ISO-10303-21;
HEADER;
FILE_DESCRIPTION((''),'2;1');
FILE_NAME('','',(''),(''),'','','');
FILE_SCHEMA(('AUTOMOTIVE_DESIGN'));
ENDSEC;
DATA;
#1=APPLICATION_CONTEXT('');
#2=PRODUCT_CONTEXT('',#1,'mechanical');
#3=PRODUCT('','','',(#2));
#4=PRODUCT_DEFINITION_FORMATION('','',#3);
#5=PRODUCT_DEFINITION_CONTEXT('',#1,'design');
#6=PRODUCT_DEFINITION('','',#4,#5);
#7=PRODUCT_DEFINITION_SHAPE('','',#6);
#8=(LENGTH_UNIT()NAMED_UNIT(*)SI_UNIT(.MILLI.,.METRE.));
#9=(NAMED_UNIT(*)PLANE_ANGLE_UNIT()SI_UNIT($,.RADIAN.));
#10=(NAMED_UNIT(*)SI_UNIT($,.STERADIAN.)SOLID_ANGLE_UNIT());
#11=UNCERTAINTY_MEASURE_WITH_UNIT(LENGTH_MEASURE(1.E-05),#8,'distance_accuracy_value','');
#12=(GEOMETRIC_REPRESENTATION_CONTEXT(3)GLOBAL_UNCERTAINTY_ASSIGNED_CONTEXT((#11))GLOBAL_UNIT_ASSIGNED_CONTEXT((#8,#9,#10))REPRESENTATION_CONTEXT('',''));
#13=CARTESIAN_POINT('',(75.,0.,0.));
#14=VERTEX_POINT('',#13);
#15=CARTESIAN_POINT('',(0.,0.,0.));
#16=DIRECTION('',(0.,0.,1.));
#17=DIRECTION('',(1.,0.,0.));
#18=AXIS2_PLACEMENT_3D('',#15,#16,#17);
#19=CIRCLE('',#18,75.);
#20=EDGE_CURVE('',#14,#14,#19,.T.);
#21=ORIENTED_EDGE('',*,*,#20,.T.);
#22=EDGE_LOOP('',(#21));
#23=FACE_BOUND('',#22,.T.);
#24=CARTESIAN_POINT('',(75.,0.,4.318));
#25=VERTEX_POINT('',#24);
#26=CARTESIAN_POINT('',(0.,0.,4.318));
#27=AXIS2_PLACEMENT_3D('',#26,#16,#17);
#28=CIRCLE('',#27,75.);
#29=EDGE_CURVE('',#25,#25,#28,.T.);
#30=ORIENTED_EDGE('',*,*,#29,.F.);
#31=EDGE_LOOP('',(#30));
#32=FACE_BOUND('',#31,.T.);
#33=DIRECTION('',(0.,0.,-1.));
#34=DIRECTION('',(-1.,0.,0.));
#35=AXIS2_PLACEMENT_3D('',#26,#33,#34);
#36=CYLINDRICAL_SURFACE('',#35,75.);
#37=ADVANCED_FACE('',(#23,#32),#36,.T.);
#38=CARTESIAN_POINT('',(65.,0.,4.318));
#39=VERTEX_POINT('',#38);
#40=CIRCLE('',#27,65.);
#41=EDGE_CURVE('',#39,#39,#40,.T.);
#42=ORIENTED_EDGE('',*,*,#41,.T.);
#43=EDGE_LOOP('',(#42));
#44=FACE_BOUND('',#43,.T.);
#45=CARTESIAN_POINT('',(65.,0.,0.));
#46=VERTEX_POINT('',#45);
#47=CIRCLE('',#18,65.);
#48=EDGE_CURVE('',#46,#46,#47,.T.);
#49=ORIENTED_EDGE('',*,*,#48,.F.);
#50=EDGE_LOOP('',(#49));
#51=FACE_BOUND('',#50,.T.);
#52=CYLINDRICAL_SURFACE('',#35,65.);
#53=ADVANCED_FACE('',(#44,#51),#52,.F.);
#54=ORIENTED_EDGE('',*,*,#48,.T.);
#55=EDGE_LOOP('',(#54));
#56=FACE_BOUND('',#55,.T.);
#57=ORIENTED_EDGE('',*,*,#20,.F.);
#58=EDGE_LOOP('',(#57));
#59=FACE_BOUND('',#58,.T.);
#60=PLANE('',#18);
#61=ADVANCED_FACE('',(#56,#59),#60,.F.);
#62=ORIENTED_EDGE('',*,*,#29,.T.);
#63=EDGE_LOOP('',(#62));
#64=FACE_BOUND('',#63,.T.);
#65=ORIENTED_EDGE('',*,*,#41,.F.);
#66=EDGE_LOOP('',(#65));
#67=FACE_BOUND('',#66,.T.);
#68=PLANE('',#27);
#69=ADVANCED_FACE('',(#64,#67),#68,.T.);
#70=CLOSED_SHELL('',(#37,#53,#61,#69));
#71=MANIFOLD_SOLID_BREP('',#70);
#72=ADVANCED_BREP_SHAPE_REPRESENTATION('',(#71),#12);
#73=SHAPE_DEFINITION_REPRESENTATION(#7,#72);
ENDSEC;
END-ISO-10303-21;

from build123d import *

# Parameters (mm, degrees)
SKETCH1_R           = 75
SKETCH1_R_2         = 65
BOSS_EXTRUDE1_DEPTH = 4.318


with BuildPart() as part:
    # Sketch1 → Boss-Extrude1 (new body)
    with BuildSketch(Plane.XY):
        Circle(SKETCH1_R)
        Circle(SKETCH1_R_2, mode=Mode.SUBTRACT)
    extrude(amount=BOSS_EXTRUDE1_DEPTH)


solid = part.part
